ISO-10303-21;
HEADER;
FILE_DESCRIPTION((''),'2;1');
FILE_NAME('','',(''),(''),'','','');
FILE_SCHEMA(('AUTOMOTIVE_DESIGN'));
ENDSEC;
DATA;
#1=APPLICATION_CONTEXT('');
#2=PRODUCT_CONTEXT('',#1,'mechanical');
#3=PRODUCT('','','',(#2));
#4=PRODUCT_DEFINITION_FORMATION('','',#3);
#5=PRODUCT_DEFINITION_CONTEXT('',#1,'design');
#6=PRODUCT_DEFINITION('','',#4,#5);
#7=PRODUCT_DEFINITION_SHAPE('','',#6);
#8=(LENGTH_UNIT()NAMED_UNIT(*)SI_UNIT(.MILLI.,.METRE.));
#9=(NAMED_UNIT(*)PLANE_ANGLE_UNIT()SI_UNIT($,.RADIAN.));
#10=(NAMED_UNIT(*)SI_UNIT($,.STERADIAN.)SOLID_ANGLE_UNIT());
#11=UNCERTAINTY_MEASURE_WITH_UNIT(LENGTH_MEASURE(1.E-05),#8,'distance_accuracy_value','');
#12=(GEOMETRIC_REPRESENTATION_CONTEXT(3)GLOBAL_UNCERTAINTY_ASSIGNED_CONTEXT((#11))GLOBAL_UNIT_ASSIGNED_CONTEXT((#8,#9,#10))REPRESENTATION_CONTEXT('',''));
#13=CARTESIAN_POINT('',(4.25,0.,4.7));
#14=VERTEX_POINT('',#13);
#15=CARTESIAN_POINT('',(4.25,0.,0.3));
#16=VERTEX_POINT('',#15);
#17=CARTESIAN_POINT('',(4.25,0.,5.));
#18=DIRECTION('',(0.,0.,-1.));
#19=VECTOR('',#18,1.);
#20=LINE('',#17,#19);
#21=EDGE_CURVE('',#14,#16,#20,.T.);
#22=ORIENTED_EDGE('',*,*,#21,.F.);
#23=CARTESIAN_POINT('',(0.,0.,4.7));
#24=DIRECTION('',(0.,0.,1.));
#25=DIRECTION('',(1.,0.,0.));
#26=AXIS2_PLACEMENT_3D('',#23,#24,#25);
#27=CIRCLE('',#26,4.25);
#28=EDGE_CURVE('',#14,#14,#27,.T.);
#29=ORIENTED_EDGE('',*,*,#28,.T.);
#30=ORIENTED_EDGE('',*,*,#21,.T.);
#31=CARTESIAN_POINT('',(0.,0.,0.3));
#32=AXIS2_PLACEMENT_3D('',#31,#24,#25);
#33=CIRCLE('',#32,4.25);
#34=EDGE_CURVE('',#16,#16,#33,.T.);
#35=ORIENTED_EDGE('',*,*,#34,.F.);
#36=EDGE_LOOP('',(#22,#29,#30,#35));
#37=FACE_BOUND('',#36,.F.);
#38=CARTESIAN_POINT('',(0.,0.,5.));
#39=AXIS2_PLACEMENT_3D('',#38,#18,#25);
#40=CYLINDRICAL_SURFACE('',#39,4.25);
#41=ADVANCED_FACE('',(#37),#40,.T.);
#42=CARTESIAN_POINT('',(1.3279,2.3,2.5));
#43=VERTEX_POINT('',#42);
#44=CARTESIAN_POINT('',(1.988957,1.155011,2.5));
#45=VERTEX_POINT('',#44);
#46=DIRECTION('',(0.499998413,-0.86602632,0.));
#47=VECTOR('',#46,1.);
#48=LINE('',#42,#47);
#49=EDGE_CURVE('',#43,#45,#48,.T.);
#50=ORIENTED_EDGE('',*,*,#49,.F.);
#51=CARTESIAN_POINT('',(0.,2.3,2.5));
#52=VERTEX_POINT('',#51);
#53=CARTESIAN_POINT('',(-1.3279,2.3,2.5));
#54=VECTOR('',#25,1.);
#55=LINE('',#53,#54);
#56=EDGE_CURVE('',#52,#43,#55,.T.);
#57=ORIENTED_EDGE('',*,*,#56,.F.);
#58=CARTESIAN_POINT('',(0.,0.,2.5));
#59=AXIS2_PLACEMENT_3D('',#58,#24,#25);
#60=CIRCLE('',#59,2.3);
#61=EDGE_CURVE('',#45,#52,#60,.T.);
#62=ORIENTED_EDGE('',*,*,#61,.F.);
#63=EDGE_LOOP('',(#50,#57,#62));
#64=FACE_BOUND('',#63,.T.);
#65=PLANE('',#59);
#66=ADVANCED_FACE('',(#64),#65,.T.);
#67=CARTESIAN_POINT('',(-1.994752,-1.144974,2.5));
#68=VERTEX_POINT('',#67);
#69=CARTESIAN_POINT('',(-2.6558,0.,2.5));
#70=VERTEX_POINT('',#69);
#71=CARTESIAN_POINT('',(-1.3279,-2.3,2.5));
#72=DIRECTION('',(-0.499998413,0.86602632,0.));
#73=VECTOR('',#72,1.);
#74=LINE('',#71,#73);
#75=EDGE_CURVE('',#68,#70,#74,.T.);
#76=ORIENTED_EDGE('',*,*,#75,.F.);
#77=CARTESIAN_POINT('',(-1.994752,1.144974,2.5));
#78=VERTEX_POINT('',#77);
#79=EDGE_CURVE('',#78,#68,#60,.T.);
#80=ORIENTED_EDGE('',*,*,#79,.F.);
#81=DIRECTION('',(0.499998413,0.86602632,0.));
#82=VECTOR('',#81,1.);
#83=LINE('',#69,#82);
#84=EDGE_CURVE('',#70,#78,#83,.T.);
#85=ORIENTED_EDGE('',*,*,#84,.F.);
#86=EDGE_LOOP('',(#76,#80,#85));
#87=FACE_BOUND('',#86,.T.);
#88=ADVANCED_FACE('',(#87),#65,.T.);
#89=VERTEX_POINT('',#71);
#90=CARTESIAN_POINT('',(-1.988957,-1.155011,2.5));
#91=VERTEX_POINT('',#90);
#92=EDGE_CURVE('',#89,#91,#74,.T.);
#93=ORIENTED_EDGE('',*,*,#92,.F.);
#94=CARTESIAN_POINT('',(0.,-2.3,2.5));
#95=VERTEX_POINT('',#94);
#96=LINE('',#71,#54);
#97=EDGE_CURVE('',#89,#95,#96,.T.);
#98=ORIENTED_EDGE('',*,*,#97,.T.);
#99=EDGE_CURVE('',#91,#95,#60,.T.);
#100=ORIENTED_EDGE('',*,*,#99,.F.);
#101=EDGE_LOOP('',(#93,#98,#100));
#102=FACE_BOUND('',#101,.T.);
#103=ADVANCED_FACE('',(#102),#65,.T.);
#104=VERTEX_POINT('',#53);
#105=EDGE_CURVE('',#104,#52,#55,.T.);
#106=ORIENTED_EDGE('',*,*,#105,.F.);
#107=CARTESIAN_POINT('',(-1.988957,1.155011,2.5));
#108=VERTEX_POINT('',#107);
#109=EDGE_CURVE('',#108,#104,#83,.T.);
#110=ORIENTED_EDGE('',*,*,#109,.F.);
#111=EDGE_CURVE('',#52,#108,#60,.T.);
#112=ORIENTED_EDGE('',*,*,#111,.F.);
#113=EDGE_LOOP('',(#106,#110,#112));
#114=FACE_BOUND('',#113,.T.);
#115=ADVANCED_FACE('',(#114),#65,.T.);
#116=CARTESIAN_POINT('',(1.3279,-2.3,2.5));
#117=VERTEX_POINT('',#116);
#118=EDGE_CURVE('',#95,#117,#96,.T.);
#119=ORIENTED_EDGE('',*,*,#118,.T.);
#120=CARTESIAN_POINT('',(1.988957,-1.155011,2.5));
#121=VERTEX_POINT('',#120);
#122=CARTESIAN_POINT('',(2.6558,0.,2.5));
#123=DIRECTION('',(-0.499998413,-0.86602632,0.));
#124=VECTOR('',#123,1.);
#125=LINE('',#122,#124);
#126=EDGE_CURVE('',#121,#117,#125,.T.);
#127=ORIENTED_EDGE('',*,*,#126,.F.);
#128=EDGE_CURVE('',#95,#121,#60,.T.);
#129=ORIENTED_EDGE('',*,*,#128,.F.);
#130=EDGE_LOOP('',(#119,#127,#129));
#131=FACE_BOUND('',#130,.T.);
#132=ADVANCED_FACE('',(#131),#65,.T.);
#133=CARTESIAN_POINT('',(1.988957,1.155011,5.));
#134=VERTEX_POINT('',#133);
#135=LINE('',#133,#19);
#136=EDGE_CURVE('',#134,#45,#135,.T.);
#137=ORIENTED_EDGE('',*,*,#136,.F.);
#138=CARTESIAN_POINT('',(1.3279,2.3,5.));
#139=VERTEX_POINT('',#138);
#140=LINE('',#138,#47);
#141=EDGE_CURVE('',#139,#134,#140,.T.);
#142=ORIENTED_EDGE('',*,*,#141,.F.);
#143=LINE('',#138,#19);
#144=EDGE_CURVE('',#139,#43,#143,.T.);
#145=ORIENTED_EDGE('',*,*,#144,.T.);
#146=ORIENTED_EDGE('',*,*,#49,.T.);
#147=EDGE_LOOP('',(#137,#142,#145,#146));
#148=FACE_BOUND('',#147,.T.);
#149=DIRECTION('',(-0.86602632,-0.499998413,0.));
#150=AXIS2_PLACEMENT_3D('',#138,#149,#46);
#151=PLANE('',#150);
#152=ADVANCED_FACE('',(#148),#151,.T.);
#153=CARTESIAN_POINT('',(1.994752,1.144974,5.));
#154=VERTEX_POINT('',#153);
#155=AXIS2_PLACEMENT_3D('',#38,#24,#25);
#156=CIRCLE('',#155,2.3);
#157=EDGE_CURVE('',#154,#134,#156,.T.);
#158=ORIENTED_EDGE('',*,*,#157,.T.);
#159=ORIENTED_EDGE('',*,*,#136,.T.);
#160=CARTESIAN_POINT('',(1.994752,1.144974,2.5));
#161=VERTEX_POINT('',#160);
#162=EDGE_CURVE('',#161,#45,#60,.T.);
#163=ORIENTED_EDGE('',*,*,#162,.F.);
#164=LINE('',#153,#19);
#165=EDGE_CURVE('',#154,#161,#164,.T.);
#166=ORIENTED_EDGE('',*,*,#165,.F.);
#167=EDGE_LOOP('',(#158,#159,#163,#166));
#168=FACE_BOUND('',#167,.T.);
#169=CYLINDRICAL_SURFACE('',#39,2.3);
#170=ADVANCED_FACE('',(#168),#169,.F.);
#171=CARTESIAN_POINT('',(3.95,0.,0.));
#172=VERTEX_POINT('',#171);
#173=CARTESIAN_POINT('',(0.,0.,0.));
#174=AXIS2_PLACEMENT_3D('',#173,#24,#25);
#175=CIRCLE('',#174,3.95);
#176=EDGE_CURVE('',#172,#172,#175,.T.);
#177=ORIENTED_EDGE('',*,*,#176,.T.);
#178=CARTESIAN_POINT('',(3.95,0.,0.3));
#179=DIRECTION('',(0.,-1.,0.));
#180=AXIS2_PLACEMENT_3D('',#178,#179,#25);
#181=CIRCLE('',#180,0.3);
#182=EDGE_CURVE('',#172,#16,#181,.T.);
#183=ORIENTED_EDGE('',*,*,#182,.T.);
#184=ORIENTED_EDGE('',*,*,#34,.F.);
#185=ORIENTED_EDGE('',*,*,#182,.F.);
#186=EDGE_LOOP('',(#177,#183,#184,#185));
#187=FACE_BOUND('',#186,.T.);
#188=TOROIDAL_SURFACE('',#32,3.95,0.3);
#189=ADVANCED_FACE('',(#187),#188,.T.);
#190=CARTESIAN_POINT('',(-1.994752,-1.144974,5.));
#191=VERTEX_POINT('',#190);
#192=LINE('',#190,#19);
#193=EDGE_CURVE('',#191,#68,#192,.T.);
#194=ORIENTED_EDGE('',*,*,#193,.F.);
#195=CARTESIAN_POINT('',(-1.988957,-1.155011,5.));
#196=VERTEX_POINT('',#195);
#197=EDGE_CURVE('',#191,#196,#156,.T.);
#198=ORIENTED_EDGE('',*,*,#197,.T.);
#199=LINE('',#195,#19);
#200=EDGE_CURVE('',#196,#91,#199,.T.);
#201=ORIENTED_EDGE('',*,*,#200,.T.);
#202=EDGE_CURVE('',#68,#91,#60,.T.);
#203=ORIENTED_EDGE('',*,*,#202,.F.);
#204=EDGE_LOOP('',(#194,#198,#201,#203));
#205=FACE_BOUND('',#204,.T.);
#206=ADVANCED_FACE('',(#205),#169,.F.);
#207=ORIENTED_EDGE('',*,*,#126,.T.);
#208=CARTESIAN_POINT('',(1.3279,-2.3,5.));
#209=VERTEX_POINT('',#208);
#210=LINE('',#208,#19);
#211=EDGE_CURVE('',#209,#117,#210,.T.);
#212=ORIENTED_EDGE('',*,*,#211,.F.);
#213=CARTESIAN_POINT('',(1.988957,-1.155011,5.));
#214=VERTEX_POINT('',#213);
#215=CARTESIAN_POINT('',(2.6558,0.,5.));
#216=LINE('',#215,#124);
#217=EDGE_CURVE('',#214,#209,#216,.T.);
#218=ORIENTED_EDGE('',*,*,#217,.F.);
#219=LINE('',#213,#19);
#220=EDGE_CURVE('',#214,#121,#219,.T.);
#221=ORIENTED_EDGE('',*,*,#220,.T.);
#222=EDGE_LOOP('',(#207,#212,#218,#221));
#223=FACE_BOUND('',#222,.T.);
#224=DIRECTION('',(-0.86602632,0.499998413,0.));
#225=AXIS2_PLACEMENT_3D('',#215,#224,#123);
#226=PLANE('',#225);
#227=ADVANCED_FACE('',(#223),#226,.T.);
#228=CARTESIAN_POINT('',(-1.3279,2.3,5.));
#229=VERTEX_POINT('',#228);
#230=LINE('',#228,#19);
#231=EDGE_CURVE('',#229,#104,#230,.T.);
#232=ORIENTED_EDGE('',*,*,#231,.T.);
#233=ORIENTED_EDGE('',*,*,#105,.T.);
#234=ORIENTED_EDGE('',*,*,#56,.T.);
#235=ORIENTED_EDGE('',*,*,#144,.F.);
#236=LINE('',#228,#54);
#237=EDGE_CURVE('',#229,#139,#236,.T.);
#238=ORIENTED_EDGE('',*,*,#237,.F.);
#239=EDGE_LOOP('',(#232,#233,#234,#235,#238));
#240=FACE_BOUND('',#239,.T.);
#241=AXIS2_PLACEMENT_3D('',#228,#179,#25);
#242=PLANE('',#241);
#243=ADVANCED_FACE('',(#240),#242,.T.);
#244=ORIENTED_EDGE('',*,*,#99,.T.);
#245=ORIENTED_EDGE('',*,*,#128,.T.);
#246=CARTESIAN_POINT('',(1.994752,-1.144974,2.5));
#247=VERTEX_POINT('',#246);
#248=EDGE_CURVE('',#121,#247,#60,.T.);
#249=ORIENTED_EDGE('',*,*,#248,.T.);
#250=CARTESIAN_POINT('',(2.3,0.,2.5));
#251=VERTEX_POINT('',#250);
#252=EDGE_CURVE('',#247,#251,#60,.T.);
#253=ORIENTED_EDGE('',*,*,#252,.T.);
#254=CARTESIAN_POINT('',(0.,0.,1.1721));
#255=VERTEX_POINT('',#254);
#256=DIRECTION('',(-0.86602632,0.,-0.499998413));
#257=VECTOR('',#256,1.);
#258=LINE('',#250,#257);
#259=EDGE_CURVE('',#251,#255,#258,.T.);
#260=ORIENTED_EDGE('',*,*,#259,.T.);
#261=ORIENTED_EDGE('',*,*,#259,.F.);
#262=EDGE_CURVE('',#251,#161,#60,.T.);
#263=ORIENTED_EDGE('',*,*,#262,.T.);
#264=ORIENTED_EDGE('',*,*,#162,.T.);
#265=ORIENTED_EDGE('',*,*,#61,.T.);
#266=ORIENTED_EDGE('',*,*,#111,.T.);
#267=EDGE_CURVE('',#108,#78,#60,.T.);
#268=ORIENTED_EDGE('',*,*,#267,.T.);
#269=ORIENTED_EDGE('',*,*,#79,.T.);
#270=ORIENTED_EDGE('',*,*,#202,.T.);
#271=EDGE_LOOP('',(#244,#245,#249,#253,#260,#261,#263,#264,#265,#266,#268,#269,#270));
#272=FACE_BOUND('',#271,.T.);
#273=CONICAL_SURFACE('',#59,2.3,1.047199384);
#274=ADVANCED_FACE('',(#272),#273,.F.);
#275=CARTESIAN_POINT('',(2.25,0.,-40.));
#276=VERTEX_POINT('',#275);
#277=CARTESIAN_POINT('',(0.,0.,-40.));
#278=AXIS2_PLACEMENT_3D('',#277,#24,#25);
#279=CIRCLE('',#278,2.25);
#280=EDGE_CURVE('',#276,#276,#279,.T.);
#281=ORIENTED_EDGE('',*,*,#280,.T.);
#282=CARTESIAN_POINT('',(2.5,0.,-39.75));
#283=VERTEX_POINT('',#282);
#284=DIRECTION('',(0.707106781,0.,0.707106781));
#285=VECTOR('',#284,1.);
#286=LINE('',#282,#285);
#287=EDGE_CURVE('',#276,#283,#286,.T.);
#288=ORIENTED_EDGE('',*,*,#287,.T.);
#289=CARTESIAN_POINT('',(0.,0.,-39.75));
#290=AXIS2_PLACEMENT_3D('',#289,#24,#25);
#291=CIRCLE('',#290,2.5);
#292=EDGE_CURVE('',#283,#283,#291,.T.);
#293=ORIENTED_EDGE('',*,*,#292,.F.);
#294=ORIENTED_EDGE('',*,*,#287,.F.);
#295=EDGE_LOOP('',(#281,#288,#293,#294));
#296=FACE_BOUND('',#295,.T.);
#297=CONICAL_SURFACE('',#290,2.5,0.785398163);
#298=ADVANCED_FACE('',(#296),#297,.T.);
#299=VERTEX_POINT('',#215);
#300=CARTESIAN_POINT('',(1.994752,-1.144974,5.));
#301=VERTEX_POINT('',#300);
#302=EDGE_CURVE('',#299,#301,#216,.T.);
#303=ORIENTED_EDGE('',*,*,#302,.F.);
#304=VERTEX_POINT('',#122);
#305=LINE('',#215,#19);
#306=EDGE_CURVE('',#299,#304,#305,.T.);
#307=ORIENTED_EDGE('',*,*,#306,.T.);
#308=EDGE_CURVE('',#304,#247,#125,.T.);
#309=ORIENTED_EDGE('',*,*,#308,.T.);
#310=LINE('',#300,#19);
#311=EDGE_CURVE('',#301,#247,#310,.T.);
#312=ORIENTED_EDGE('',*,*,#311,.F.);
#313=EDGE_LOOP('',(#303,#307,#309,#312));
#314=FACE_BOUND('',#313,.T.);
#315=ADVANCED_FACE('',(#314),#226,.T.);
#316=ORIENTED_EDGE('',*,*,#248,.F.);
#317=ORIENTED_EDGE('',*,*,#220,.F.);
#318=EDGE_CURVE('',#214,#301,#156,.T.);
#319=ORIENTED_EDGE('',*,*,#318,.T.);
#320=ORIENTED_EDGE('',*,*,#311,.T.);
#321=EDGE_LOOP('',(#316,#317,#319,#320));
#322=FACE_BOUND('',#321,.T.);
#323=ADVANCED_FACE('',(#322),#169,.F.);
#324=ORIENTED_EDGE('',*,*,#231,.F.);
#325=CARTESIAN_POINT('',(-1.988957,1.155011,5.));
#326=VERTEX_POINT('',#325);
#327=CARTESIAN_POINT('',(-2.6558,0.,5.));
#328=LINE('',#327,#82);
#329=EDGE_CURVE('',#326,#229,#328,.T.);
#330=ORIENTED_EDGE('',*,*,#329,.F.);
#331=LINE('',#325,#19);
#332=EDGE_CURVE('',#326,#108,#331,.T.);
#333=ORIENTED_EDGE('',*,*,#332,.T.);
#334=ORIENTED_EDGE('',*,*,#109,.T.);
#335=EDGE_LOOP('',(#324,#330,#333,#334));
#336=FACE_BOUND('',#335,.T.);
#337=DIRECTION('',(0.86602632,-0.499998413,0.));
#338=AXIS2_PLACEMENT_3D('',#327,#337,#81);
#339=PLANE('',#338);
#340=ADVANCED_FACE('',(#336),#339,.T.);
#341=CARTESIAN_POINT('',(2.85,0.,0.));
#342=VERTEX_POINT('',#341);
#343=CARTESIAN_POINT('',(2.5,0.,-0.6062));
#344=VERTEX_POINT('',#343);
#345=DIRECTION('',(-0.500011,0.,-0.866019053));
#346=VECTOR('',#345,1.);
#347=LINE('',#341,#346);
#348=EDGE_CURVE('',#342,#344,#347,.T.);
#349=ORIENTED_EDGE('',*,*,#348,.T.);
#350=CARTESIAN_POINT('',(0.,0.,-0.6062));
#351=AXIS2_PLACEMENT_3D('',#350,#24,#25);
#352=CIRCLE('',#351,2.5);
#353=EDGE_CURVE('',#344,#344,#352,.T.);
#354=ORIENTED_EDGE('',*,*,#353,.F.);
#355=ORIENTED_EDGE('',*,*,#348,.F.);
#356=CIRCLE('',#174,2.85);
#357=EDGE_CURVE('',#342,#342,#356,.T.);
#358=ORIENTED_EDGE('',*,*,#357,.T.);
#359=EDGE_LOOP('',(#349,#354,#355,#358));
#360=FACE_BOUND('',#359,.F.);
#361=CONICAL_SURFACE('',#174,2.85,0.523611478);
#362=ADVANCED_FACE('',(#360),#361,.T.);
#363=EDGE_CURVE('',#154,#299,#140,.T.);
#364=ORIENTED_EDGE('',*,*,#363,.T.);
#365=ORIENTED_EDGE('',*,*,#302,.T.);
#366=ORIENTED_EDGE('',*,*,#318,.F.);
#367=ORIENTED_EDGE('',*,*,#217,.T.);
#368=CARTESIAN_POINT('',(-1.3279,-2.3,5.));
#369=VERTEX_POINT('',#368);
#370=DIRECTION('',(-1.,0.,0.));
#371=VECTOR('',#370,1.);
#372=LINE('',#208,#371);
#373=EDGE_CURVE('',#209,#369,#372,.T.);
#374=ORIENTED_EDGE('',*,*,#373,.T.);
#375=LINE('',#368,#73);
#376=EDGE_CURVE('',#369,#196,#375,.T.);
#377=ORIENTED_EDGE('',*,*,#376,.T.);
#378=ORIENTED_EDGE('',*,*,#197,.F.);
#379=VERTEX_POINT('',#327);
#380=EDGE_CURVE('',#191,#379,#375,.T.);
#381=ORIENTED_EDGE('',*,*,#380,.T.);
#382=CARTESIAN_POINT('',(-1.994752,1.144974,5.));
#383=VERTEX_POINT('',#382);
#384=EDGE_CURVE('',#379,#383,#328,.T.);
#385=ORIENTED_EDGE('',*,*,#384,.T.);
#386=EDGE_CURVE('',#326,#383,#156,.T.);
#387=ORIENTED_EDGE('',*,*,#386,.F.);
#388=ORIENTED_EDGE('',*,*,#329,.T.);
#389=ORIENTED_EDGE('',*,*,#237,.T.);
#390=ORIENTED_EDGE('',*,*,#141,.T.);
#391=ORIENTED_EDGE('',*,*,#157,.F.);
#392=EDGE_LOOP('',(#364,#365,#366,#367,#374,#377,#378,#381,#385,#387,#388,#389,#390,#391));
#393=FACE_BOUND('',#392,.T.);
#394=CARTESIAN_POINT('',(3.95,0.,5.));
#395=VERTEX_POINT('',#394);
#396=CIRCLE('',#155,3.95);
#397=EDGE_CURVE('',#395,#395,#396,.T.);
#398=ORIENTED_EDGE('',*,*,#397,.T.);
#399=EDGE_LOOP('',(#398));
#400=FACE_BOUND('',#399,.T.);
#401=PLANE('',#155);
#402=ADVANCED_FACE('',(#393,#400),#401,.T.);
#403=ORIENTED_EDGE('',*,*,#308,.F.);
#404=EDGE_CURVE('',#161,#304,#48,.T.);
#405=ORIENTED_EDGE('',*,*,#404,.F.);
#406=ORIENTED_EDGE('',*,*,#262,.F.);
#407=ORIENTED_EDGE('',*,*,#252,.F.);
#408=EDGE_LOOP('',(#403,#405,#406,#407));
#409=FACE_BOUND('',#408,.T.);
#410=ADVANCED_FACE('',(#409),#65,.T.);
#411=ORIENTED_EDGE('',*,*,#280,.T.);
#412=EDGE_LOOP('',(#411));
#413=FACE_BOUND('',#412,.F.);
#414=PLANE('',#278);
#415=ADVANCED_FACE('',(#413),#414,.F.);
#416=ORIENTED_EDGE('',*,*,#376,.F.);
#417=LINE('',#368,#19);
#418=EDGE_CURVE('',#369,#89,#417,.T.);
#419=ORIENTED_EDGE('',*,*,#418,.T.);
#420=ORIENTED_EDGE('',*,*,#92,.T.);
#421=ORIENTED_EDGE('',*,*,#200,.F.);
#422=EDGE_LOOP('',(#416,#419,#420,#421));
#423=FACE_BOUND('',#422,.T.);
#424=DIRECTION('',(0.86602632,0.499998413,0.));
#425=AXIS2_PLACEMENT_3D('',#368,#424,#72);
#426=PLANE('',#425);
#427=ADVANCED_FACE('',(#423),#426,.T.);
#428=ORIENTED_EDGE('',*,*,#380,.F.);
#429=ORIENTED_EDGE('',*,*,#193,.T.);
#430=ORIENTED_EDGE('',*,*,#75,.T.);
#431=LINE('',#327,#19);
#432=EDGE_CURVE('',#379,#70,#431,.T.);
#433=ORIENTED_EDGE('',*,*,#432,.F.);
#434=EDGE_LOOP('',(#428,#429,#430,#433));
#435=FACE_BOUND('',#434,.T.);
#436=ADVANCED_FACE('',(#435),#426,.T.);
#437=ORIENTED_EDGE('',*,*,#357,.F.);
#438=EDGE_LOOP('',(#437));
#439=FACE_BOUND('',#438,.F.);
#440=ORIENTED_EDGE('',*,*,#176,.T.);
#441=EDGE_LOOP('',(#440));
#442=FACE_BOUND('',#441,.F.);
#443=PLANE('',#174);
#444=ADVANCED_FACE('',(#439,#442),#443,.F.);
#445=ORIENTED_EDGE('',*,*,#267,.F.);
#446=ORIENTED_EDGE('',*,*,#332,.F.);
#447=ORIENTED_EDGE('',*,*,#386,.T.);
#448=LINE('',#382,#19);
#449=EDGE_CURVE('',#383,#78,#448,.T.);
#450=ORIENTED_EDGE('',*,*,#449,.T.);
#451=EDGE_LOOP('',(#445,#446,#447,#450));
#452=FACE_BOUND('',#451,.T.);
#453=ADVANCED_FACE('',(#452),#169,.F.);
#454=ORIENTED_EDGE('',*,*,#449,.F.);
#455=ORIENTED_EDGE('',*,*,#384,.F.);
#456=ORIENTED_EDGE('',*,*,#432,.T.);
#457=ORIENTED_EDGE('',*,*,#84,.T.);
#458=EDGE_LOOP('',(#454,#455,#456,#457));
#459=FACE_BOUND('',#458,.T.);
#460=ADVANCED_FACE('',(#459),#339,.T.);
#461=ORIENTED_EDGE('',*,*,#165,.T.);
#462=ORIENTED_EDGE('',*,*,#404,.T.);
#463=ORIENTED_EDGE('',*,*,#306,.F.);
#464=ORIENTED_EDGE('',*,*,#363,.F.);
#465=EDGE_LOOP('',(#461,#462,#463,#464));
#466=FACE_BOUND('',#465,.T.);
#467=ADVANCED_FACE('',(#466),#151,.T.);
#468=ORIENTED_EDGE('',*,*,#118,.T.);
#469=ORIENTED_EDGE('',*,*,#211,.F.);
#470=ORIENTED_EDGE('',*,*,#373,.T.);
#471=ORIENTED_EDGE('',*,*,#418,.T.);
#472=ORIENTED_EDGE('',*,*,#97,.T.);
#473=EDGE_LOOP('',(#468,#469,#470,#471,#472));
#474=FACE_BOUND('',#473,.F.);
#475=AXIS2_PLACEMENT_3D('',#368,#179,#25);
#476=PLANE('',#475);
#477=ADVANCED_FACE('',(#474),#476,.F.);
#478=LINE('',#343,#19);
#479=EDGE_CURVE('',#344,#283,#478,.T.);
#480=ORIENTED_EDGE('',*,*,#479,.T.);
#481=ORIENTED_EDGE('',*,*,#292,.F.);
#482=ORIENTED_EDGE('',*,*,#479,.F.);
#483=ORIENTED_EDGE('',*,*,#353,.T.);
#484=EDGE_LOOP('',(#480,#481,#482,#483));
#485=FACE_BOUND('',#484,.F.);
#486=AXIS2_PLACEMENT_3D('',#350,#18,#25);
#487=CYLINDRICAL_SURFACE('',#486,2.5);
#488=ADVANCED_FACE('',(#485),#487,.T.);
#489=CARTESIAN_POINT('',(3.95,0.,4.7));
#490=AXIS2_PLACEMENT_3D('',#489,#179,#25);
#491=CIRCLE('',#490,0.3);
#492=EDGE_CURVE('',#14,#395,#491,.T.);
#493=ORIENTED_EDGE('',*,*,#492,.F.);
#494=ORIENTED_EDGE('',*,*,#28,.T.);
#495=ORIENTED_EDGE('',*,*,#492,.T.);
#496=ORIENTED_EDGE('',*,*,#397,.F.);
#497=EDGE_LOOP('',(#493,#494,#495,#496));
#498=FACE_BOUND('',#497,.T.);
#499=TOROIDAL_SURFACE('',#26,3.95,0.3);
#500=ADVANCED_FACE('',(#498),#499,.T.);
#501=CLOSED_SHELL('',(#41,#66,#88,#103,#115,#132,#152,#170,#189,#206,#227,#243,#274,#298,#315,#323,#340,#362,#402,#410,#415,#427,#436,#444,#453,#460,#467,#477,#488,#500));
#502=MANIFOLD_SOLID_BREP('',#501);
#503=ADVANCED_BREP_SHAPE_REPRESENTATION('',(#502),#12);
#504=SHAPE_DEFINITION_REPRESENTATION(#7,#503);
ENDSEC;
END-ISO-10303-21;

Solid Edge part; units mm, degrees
sketch "Sketch1" plane through (0, 0, 0) normal (0, -1, 0) x (1, 0, 0)
  line L0 (4.25, 5) -> (4.25, 0)
  line L1 (4.25, 0) -> (2.85, 0)
  line L2 (2.85, 0) -> (2.5, -0.6062)
  line L3 (2.5, -0.6062) -> (2.5, -40)
  line L4 (2.5, -40) -> (0, -40)
  line L5 (2.3, 2.5) -> (0, 1.1721)
  line L6 (2.3, 5) -> (2.3, 2.5)
  line L7 (4.25, 5) -> (2.3, 5)
  dimension "D1" = 2.5
  dimension "D2" = 40
  dimension "D3" = 5
revolve "RevolvedProtrusion1" add sketch "Sketch1" angle 360 about axis through (0, 0, -6) along (0, 0, 1)
cosmetic_thread "Thread1" size "M5"
chamfer "Chamfer_1" distance 0.25 angle 45 1 edges at (-2.5, 0, -40)
fillet "Round_1" radius 0.3 2 edges at (-4.25, 0, 0) (-4.25, 0, 5)
sketch "Sketch2" plane through (0, 0, 5) normal (0, 0, 1) x (0, 1, 0)
  line L0 (-2.3, 1.3279) -> (-2.3, -1.3279)
  line L1 (0, -2.6558) -> (-2.3, -1.3279)
  line L2 (2.3, -1.3279) -> (0, -2.6558)
  line L3 (2.3, 1.3279) -> (2.3, -1.3279)
  line L4 (0, 2.6558) -> (2.3, 1.3279)
  line L5 (-2.3, 1.3279) -> (0, 2.6558)
extrude "Cutout1" cut sketch "Sketch2" against normal up to vertex (2.5 mm away)
properties part number "STD-DIN912-M5x40x8.8" material "Galvanized steel"
